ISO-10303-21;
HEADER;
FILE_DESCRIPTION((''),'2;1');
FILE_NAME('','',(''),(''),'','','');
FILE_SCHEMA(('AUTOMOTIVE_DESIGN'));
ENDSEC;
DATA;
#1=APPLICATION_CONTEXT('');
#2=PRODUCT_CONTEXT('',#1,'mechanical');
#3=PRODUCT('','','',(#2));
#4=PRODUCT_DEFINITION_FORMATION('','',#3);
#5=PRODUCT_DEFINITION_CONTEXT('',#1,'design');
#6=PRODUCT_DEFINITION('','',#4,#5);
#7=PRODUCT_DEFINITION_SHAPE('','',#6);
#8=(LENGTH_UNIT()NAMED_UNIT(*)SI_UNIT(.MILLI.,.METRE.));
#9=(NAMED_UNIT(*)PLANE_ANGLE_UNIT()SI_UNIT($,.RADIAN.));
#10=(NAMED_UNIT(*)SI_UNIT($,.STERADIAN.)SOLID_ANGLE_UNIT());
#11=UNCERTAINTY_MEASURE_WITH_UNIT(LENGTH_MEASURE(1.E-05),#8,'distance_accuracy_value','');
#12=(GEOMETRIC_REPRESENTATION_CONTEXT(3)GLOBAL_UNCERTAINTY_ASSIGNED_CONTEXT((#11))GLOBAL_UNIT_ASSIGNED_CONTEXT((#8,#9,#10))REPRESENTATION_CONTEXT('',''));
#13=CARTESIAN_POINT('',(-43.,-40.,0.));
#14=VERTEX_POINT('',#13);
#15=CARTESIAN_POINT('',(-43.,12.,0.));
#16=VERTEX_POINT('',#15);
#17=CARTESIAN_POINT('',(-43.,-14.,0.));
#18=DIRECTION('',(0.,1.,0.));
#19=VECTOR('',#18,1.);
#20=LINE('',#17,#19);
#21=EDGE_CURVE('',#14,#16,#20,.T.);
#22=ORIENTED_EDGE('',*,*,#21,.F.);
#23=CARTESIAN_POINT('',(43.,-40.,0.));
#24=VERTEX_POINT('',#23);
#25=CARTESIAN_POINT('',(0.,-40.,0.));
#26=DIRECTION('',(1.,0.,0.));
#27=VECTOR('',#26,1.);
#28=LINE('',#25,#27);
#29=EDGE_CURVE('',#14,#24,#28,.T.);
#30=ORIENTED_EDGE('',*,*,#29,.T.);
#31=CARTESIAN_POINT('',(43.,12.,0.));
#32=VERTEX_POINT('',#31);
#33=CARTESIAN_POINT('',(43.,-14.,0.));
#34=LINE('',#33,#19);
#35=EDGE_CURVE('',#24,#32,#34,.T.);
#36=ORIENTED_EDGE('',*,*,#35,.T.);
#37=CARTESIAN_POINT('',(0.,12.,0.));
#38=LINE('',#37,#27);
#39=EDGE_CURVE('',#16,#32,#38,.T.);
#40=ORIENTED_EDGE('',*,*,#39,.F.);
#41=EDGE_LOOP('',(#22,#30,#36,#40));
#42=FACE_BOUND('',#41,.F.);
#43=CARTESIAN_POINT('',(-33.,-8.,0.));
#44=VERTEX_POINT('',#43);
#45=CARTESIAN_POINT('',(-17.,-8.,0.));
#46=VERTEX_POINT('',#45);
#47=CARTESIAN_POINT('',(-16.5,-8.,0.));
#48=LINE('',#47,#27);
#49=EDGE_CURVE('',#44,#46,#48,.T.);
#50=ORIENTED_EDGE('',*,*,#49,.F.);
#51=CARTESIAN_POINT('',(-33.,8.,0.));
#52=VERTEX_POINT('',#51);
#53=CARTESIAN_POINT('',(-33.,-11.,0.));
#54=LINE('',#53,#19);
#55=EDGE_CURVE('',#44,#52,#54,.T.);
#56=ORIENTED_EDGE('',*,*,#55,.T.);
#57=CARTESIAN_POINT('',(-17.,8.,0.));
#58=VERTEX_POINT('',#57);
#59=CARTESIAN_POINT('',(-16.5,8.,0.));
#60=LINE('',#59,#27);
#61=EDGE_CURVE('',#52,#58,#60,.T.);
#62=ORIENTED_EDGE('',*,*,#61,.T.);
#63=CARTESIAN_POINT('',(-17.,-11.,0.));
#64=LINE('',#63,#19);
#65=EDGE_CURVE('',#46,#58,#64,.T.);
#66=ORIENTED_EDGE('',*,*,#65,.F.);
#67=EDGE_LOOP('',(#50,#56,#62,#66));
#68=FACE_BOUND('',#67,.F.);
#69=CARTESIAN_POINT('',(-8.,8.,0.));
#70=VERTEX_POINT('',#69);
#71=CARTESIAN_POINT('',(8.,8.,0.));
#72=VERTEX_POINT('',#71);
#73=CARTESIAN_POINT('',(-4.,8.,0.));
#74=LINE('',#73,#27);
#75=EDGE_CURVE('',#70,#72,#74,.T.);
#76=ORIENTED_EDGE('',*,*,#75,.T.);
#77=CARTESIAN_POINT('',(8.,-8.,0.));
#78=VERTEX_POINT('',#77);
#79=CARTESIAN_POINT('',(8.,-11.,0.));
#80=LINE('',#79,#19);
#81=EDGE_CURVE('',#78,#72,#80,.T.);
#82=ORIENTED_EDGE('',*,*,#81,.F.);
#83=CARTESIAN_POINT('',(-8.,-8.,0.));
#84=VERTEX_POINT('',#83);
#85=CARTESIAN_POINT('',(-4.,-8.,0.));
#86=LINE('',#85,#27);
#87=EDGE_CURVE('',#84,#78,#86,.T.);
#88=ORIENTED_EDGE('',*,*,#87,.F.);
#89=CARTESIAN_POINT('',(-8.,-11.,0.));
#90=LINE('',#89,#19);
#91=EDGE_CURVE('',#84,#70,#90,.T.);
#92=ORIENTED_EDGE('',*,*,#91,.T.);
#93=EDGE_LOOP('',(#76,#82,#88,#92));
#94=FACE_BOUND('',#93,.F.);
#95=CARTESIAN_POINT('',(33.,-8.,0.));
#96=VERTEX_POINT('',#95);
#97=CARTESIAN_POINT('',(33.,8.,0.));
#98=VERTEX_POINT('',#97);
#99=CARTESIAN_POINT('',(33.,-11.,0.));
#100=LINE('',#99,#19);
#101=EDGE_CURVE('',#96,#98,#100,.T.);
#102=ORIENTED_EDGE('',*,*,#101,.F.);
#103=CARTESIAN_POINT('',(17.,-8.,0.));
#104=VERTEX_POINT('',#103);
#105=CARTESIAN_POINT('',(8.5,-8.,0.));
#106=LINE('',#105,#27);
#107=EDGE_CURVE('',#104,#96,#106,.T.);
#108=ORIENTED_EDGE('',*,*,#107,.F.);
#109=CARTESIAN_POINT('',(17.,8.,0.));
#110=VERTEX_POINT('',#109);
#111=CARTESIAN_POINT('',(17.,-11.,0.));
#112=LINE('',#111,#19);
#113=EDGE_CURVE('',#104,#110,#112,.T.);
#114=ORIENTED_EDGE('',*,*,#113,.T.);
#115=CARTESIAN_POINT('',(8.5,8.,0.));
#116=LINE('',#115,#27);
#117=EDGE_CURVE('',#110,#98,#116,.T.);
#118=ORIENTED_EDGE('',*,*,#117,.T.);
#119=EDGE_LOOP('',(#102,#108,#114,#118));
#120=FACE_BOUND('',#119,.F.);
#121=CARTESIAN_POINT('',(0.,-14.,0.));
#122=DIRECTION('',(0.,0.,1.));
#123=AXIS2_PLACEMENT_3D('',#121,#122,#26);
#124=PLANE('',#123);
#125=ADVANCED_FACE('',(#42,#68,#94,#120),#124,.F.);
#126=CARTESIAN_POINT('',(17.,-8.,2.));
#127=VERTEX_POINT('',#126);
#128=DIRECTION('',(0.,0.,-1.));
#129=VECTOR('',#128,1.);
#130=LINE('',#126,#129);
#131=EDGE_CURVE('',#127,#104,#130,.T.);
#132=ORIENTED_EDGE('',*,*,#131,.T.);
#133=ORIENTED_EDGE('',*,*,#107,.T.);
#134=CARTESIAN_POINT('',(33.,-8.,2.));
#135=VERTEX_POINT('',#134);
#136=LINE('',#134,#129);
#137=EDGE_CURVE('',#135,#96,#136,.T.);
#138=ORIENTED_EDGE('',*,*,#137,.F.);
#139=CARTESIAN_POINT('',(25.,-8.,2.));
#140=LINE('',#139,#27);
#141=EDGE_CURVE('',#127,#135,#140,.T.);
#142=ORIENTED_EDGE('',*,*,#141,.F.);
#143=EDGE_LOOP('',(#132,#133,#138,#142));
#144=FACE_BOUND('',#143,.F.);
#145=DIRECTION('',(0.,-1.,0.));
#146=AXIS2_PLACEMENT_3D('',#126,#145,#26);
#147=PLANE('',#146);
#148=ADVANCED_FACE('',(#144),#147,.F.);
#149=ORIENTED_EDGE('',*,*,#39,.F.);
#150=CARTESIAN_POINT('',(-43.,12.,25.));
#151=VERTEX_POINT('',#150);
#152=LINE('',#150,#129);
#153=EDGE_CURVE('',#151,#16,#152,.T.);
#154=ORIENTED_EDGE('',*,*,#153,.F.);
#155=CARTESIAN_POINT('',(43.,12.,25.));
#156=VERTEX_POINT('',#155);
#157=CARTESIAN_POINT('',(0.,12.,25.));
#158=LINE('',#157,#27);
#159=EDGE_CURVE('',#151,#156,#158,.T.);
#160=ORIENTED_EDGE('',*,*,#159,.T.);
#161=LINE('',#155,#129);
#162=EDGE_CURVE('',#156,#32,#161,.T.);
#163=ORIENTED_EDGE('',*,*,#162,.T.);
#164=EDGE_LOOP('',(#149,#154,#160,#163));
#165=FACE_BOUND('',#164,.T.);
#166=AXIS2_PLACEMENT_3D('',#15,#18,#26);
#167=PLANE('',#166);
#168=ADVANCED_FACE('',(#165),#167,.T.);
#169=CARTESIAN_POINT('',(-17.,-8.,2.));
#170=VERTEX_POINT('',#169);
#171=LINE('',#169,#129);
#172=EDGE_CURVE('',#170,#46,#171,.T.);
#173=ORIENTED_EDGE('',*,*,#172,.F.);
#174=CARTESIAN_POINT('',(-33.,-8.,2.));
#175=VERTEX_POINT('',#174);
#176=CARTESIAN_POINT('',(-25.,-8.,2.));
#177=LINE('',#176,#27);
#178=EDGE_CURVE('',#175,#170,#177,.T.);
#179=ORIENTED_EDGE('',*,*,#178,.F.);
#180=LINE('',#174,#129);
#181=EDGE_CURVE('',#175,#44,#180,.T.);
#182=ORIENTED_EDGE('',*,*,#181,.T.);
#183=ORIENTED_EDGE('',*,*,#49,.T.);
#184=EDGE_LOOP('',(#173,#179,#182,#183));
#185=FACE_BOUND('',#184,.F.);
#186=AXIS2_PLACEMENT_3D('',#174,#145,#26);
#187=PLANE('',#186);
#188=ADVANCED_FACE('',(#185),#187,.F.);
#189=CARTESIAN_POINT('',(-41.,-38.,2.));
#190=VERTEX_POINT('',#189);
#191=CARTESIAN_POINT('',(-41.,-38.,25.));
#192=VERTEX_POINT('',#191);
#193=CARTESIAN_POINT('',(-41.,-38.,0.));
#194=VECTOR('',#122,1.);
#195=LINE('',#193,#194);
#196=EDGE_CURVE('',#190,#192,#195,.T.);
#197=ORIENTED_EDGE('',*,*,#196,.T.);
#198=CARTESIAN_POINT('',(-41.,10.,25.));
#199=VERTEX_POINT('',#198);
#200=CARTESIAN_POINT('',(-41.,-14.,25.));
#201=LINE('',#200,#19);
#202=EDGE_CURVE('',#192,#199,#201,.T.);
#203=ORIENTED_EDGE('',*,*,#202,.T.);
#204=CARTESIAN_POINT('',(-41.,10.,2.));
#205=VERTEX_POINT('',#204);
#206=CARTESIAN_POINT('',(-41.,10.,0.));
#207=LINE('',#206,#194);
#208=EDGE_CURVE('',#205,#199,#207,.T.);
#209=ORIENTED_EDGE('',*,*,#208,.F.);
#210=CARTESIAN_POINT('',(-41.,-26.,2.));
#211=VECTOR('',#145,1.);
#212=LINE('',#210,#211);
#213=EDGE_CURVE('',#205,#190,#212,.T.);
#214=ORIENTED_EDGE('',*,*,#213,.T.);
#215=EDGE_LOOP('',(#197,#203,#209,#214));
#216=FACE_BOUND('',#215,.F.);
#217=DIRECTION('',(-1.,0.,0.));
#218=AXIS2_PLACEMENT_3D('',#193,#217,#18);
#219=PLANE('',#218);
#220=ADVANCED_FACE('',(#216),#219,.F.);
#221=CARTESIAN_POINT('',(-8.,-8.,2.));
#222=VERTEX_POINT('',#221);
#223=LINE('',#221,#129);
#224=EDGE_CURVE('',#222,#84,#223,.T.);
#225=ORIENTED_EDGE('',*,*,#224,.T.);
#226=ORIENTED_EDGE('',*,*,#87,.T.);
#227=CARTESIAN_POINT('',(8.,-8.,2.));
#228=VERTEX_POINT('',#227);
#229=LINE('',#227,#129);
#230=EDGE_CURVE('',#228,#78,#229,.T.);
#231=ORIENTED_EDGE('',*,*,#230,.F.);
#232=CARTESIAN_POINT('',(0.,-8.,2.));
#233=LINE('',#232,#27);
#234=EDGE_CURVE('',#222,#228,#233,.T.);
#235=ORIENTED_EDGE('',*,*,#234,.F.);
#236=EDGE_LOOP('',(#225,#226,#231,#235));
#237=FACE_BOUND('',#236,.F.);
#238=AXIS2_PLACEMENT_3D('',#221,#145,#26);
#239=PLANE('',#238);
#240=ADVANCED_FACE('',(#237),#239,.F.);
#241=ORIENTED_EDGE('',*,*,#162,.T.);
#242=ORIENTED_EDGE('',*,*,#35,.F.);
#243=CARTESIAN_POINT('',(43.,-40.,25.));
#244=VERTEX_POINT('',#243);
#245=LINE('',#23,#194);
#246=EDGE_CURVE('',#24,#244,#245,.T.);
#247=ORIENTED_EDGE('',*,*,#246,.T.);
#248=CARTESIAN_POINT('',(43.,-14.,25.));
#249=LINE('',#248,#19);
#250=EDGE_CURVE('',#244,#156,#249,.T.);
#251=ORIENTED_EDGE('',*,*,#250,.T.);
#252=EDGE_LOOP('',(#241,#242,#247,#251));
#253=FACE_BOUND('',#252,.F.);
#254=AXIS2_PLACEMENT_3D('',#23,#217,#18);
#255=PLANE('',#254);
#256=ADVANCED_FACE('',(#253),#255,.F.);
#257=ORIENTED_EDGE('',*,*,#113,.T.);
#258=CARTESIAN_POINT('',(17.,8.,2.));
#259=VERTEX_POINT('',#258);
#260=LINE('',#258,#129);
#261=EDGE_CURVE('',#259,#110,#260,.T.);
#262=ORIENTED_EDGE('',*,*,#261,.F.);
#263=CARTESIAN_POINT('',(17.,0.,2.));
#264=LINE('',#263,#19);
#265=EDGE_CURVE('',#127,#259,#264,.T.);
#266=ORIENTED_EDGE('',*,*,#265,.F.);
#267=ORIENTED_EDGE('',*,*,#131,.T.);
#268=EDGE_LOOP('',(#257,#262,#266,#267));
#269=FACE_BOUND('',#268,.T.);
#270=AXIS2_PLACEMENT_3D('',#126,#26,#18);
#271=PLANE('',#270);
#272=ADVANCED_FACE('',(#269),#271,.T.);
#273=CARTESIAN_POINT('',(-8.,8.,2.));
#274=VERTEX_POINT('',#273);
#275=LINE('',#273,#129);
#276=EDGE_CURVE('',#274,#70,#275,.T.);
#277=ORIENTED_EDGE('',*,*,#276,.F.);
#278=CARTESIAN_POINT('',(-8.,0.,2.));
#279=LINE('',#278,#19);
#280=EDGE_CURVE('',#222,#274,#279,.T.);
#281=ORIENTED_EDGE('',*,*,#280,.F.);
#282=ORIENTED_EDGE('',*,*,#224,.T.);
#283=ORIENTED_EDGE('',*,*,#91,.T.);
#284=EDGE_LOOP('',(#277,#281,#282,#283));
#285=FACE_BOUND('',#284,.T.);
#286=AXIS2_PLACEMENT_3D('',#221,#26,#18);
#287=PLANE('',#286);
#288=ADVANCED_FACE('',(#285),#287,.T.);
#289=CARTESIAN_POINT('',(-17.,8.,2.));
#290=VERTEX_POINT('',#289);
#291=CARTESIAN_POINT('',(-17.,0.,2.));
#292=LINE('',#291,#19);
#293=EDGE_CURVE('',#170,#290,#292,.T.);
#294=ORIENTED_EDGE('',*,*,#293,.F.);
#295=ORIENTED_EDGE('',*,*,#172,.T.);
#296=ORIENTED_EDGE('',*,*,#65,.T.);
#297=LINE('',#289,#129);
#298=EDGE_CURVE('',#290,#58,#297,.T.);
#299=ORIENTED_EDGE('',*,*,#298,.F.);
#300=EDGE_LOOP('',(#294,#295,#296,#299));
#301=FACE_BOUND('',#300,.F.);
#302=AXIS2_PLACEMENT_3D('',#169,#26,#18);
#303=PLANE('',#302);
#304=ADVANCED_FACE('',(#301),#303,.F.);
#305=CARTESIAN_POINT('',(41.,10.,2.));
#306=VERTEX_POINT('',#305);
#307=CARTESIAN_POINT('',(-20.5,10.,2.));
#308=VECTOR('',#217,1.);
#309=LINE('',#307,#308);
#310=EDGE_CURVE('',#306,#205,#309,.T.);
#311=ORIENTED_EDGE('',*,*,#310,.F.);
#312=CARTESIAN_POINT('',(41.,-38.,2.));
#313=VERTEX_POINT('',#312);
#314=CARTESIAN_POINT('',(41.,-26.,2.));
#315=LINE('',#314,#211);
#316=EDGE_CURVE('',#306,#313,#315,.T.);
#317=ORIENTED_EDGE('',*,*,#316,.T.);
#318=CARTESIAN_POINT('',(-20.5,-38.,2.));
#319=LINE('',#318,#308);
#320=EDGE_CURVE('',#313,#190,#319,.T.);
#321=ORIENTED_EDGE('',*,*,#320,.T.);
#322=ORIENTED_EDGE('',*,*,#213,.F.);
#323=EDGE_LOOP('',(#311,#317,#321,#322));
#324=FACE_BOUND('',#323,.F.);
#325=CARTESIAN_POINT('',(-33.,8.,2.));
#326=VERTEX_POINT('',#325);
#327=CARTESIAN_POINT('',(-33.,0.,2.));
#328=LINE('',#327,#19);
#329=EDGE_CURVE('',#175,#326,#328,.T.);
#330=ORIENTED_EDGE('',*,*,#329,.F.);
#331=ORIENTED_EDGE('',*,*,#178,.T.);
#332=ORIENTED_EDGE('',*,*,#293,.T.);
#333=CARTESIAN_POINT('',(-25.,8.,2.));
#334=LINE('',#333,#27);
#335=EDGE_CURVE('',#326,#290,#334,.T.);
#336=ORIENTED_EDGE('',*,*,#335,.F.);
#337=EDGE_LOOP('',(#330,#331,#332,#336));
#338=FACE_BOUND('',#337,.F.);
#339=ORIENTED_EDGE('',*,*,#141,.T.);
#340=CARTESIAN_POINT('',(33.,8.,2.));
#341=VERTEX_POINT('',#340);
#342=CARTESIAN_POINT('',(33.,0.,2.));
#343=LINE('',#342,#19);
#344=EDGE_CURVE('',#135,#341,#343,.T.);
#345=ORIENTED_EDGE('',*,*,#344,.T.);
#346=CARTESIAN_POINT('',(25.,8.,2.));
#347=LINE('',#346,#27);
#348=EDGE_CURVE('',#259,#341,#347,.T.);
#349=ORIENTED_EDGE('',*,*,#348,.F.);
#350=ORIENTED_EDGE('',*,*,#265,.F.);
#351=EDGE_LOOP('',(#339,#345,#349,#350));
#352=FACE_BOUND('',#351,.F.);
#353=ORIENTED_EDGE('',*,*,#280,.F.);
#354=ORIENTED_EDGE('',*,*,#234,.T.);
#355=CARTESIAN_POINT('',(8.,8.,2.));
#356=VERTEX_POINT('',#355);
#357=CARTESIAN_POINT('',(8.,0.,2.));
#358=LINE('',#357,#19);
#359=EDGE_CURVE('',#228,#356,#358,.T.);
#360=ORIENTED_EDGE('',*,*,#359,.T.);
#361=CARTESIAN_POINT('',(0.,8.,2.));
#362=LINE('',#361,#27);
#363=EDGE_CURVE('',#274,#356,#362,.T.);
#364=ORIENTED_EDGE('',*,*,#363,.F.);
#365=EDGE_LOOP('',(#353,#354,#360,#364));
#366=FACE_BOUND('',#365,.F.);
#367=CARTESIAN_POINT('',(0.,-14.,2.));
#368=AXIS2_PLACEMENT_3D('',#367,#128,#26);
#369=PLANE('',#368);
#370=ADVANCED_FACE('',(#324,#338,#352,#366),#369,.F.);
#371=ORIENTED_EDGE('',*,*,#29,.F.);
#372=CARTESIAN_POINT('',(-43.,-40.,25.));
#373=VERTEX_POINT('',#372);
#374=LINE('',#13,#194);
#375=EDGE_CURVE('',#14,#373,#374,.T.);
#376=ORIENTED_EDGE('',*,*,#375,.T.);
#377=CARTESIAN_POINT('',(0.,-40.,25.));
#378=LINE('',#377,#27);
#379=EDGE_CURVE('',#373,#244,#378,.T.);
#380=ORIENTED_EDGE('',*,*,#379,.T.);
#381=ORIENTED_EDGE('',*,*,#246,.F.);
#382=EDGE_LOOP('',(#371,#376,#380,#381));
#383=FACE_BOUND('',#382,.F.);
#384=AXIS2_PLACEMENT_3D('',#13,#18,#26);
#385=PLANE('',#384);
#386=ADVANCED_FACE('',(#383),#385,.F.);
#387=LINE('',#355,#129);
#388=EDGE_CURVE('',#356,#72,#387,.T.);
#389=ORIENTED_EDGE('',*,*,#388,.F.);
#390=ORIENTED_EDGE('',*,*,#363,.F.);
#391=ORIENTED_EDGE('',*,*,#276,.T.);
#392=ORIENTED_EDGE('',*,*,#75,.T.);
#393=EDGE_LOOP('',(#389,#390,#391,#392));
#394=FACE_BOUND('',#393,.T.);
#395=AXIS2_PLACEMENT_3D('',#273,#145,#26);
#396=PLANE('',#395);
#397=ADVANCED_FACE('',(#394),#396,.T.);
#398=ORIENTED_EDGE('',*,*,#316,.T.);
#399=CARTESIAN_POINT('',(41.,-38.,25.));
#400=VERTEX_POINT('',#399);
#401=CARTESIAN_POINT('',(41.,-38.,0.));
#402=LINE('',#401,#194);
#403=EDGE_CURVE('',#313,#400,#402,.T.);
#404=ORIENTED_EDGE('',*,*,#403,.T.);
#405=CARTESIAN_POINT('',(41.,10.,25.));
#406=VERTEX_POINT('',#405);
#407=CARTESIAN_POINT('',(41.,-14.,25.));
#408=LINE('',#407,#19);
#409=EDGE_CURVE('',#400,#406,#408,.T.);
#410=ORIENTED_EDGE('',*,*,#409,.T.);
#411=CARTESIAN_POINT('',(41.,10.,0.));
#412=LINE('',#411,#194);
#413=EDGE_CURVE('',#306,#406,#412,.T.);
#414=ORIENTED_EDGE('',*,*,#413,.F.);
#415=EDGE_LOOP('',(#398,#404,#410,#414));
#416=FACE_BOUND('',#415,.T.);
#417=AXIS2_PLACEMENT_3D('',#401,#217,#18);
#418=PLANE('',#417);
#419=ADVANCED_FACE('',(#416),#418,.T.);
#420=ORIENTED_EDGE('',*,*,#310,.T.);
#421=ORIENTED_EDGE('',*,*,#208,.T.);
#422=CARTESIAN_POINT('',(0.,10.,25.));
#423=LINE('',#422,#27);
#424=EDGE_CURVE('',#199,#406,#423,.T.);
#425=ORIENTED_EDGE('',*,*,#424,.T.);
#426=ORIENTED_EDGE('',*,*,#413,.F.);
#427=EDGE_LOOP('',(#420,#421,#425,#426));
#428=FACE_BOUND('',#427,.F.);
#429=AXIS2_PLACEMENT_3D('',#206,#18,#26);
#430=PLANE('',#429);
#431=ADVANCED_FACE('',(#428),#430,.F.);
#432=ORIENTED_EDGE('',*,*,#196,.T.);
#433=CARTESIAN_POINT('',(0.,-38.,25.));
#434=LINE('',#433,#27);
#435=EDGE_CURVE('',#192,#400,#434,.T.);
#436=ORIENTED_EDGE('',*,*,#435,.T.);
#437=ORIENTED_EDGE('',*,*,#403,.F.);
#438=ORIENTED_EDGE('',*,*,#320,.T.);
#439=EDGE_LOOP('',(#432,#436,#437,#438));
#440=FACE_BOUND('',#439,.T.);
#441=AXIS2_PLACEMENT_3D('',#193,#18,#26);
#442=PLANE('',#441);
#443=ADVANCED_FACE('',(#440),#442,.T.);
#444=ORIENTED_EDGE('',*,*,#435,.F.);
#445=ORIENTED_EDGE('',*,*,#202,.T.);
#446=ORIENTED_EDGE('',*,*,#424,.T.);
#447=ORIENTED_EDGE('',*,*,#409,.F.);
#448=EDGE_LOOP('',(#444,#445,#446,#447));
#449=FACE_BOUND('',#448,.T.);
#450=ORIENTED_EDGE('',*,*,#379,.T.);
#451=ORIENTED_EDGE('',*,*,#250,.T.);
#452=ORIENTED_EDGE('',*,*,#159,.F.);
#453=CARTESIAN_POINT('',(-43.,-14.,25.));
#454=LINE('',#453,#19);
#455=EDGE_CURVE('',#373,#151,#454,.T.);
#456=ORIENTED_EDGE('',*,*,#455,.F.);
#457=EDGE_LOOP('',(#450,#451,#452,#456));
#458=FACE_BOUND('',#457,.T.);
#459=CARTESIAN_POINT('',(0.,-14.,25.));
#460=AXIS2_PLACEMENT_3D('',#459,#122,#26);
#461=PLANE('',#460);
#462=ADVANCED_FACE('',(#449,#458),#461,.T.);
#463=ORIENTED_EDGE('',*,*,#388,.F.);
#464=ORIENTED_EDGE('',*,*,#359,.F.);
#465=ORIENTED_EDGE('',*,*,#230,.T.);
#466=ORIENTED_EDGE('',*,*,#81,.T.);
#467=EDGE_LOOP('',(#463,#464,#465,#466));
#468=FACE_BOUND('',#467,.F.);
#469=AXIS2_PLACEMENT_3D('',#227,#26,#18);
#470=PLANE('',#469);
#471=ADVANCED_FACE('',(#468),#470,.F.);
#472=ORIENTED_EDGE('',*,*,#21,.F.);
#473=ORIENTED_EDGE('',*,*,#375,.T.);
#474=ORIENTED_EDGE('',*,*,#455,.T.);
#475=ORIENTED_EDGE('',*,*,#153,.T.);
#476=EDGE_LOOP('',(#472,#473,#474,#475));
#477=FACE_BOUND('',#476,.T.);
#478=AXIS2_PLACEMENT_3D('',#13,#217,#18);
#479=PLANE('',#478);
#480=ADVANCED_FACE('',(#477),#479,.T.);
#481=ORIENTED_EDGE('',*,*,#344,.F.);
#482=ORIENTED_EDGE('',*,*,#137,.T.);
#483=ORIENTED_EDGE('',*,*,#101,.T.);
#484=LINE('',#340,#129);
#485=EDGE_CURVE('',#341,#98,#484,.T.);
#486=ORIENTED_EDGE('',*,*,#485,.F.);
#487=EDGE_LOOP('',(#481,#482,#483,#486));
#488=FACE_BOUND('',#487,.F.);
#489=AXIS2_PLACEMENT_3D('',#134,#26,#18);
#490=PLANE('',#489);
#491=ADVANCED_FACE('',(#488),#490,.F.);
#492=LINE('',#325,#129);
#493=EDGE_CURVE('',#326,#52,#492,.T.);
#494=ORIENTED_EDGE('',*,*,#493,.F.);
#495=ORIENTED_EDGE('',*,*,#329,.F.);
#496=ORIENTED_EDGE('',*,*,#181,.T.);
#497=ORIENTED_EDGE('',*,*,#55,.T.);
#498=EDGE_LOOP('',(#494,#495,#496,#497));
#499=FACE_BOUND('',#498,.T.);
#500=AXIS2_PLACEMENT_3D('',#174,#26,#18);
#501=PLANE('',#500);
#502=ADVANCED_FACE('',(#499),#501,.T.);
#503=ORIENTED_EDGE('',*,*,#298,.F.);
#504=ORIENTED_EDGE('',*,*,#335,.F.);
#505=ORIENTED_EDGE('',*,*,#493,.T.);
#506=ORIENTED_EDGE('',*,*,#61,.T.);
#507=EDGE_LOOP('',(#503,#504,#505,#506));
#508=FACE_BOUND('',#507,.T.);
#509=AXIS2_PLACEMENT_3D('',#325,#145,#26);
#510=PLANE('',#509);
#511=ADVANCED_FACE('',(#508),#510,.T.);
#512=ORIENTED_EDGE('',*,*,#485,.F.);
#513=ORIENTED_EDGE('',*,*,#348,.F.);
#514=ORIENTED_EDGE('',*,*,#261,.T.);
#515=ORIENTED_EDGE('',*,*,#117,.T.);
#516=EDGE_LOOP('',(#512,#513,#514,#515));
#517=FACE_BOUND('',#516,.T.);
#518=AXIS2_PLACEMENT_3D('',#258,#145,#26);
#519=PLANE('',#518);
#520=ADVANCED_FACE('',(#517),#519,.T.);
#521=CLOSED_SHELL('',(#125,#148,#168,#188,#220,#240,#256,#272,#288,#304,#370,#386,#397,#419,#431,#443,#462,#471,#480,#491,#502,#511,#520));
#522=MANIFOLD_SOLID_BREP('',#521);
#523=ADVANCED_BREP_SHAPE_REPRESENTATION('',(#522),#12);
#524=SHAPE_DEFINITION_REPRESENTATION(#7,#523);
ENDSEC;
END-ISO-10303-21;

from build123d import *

# Parameters (mm, degrees)
SKETCH_W        = 86
SKETCH_H        = 52
SKETCH_W_2      = 82
SKETCH_H_2      = 48
PAD_DEPTH       = 25
SKETCH005_W     = 86
SKETCH005_H     = 52
PAD003002_DEPTH = 2
SKETCH006_W     = 16
SKETCH006_H     = 16
POCKET_DEPTH    = 2.001


with BuildPart() as part:
    # Sketch → Pad (new body)
    with BuildSketch(Plane.XY):
        with Locations((0, -14)):
            Rectangle(SKETCH_W, SKETCH_H)
        with Locations((0, -14)):
            Rectangle(SKETCH_W_2, SKETCH_H_2, mode=Mode.SUBTRACT)
    extrude(amount=PAD_DEPTH)

    # Sketch005 → Pad003002 (new body)
    with BuildSketch(Plane(origin=(0, 0, 0), x_dir=(1, 0, 0), z_dir=(0, 0, -1))):
        with Locations((0, 14)):
            Rectangle(SKETCH005_W, SKETCH005_H)
    extrude(amount=-PAD003002_DEPTH)

    # Sketch006 → Pocket (cut, through all)
    with BuildSketch(Plane.XY.offset(2)):
        Rectangle(SKETCH006_W, SKETCH006_H)
        with Locations((-25, 0)):
            Rectangle(SKETCH006_W, SKETCH006_H)
        with Locations((25, 0)):
            Rectangle(SKETCH006_W, SKETCH006_H)
    extrude(amount=-POCKET_DEPTH, mode=Mode.SUBTRACT)


solid = part.part
